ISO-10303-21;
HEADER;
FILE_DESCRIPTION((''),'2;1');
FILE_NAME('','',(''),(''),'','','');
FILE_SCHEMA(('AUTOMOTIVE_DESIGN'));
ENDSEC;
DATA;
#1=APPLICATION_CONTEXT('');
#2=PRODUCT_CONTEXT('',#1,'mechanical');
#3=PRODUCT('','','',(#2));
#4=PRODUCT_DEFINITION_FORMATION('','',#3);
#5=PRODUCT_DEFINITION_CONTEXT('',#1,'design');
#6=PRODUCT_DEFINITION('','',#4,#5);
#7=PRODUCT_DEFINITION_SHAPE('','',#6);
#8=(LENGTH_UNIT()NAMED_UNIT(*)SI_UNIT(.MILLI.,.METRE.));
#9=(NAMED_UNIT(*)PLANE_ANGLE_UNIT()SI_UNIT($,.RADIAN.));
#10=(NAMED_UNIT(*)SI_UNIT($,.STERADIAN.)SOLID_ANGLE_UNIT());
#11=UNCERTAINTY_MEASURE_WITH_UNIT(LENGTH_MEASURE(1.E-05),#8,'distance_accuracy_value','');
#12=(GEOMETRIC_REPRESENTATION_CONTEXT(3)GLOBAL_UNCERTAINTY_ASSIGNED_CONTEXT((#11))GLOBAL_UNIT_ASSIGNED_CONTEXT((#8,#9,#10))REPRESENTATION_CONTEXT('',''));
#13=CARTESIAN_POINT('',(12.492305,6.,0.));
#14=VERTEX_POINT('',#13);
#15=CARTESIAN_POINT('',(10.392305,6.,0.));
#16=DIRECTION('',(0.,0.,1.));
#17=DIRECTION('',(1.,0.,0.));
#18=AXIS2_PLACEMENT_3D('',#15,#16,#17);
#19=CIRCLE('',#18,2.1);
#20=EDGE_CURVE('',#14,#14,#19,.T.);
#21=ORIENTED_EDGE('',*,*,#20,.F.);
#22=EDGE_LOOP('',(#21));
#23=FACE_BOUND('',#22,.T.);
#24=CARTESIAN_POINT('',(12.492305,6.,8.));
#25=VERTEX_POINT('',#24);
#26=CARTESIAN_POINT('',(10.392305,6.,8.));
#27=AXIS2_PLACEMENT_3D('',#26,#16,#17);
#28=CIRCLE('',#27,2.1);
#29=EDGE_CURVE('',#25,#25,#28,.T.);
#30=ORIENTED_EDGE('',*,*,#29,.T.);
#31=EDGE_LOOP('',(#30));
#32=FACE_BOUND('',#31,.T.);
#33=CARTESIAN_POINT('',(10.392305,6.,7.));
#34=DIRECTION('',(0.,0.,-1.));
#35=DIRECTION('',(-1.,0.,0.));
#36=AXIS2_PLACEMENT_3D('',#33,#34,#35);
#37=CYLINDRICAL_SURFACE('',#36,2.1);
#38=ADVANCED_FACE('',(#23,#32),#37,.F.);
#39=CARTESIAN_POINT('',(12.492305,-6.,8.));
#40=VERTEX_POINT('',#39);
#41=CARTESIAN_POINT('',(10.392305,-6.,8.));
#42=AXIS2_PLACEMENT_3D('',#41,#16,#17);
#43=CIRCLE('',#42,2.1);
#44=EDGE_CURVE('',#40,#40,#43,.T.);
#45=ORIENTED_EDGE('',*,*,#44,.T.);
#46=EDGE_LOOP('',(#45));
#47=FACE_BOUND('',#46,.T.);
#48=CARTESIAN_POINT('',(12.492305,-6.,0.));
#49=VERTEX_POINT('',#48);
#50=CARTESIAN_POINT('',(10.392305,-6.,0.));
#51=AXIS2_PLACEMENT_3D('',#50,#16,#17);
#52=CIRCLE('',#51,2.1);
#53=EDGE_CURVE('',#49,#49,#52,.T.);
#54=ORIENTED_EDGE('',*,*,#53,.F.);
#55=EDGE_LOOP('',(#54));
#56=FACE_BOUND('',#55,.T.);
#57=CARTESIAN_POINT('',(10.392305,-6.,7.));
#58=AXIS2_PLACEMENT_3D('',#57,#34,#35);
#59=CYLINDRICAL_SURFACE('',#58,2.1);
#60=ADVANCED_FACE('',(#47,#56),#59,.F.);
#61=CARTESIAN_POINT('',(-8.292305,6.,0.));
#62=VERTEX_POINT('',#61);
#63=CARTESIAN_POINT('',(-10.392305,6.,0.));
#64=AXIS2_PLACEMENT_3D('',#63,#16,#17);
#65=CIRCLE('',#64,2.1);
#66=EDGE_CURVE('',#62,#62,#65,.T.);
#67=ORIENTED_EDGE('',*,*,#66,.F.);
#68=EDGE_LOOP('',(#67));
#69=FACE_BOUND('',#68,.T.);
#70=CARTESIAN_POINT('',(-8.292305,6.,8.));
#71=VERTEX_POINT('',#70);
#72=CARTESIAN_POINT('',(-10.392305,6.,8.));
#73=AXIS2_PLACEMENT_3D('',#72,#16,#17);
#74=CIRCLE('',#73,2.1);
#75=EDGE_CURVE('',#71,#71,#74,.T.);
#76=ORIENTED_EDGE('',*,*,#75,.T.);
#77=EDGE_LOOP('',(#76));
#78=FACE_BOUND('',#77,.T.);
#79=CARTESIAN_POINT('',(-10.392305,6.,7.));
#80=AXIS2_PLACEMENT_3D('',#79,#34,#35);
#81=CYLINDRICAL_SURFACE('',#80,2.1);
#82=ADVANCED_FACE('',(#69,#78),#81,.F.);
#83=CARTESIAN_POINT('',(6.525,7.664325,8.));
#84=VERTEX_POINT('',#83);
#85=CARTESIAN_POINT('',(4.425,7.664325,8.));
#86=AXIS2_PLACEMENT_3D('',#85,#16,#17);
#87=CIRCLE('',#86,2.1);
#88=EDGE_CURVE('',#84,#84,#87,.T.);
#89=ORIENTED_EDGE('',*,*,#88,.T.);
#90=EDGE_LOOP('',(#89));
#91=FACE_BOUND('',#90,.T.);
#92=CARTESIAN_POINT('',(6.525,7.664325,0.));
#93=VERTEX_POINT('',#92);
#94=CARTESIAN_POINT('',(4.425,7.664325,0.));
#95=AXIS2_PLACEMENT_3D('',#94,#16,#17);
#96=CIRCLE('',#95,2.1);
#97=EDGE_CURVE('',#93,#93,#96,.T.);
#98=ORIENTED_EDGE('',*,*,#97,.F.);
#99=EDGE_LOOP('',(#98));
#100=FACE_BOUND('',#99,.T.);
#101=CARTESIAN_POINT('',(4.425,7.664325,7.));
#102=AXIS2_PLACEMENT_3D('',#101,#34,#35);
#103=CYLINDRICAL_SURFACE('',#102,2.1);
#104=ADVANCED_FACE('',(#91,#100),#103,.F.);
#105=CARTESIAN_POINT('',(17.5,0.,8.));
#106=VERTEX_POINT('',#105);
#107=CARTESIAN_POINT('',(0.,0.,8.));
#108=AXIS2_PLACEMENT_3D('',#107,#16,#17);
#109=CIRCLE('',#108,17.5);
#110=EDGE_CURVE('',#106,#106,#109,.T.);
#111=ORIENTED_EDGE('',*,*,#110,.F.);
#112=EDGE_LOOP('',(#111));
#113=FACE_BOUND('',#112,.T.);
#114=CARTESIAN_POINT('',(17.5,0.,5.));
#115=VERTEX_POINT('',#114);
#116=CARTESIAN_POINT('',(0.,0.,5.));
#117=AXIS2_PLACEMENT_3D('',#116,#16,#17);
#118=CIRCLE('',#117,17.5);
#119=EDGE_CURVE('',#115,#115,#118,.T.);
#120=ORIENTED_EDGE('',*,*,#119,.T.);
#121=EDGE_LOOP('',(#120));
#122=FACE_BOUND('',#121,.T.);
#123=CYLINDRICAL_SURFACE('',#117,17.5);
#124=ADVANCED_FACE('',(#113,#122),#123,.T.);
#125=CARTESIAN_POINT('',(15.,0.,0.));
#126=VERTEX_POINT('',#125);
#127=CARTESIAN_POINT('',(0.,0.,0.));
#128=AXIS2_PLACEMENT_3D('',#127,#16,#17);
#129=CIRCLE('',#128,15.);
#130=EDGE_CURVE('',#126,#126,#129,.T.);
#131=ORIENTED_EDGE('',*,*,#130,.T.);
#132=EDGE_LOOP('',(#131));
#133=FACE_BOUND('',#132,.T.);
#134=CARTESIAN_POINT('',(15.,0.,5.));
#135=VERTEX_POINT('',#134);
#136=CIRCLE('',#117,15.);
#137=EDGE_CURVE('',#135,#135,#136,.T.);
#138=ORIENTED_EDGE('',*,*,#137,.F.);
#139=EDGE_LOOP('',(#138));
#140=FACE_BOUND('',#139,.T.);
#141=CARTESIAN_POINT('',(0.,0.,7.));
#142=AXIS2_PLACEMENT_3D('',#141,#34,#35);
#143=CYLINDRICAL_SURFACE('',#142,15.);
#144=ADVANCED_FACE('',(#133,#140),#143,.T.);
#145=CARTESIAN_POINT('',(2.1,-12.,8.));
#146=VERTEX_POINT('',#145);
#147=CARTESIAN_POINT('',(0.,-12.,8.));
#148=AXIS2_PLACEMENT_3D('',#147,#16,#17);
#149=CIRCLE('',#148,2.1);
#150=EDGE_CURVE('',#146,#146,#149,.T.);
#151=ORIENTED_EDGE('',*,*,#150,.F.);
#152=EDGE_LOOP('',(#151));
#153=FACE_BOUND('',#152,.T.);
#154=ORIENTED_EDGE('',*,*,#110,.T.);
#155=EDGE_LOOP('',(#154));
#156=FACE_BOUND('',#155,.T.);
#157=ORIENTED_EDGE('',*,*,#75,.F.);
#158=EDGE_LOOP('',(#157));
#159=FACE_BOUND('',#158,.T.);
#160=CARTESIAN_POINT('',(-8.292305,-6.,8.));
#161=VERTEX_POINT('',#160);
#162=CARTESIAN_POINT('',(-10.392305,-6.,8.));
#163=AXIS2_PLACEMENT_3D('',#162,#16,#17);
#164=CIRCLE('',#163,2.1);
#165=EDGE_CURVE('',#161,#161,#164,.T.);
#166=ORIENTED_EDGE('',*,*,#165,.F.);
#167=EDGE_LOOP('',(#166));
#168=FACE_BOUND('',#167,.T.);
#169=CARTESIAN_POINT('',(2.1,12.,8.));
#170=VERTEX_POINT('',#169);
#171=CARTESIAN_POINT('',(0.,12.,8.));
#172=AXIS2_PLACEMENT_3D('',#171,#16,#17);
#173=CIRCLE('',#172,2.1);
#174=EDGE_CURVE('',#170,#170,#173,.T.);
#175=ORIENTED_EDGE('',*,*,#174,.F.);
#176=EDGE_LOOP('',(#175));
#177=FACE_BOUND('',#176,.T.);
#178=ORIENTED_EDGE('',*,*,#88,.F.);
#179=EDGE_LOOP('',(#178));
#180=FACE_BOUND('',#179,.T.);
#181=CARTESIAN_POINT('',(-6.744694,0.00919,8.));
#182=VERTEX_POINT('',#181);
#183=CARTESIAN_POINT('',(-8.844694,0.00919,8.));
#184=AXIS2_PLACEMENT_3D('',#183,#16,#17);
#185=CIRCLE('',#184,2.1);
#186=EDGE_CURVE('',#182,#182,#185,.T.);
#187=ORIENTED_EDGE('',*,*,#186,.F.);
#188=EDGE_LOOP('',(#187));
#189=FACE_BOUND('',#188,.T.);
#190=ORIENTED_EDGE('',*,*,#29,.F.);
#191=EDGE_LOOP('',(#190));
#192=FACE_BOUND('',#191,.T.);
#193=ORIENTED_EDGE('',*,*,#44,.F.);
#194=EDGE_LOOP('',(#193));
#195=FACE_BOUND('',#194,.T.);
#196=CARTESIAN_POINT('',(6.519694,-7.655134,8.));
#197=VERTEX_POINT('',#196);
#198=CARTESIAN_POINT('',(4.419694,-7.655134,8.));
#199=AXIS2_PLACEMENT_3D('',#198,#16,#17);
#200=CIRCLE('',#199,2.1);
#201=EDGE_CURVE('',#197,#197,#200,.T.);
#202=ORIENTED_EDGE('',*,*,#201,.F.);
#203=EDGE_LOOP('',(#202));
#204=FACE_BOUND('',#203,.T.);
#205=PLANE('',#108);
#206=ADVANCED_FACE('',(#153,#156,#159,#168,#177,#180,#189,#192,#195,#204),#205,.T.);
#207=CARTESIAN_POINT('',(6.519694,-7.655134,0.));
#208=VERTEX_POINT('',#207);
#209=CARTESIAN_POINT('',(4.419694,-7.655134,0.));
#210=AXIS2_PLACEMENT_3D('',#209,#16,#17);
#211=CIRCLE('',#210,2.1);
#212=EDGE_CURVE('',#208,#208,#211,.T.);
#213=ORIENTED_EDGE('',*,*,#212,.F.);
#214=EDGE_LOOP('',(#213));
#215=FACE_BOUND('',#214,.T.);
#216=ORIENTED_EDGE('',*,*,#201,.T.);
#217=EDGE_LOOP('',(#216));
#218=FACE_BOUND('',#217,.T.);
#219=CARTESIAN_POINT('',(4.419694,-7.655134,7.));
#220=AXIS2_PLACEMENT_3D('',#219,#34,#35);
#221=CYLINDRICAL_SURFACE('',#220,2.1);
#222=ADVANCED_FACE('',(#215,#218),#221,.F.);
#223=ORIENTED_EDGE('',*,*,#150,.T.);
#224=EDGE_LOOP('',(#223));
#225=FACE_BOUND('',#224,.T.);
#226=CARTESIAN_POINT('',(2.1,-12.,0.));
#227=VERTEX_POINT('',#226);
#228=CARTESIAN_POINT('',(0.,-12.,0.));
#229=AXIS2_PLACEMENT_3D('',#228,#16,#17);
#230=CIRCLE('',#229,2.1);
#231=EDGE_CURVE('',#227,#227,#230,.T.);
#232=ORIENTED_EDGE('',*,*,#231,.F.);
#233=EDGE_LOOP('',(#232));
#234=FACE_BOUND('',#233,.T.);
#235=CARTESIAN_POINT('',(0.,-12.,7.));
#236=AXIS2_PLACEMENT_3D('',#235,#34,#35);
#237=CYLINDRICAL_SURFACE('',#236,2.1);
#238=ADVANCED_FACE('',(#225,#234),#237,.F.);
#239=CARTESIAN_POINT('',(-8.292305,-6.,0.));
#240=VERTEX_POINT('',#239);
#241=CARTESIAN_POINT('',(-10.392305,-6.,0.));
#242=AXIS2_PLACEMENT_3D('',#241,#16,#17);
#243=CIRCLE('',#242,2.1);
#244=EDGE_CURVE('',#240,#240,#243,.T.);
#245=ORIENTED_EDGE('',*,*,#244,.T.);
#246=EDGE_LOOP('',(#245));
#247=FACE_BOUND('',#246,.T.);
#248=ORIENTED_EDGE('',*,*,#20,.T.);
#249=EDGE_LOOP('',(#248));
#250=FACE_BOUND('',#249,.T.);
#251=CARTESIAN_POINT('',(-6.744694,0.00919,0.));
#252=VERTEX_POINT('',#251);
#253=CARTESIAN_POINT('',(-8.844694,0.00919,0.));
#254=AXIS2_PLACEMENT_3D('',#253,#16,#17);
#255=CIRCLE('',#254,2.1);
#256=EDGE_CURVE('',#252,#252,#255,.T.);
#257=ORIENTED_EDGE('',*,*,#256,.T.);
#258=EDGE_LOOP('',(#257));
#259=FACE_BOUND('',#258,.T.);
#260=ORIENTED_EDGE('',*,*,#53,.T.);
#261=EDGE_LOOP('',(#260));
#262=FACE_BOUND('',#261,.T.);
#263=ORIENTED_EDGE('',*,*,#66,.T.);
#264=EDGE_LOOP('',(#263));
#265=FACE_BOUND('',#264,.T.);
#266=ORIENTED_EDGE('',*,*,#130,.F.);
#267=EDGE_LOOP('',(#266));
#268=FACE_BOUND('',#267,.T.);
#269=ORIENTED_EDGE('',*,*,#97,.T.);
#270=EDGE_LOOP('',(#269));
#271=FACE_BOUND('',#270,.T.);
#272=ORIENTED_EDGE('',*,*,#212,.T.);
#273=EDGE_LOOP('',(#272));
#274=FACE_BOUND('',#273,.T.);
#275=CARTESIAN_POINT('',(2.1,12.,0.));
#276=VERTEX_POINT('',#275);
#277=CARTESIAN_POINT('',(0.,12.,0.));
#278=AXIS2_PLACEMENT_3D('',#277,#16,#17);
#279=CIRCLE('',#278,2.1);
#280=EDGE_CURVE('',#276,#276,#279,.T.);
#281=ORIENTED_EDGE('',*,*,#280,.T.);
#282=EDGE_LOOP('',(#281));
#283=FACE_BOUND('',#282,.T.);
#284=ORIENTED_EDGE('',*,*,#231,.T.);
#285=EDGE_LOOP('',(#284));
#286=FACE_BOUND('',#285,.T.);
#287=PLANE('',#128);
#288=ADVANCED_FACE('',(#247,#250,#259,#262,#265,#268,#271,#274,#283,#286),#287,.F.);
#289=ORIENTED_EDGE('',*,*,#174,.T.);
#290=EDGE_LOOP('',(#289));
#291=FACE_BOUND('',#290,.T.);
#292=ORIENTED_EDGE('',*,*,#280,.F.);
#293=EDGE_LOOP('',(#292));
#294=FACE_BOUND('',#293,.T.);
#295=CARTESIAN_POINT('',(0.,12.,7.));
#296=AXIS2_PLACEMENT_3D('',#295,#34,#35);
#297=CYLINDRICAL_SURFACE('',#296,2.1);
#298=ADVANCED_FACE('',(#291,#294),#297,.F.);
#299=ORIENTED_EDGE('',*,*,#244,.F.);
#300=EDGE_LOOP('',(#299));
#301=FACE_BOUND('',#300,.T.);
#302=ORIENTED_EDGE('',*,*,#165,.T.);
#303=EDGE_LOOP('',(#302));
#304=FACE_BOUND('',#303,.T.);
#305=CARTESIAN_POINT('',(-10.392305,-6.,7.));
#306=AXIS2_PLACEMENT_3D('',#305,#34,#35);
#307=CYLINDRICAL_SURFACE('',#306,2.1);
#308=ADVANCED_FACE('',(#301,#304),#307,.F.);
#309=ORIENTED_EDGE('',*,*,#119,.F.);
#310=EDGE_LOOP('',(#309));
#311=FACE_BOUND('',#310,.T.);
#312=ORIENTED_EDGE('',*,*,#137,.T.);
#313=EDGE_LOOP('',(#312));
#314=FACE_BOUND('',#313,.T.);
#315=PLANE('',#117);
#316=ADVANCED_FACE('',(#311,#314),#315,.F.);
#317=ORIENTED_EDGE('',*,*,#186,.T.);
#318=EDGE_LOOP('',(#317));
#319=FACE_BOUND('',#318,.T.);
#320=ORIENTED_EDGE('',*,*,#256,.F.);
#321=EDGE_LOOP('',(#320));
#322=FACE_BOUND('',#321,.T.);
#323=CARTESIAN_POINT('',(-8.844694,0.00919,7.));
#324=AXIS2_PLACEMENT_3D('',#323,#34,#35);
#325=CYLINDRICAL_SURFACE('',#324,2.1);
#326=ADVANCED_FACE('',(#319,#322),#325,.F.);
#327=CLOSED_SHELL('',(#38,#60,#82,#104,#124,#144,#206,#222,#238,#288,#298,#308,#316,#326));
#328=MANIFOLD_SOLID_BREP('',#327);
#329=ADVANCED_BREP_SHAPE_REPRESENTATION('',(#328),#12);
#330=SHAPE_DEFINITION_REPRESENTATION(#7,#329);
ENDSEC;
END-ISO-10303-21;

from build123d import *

# Parameters (mm, degrees)
SKETCH_1_R      = 15
SKETCH_1_R_2    = 2.1
EXTRUDE_1_DEPTH = 7
EXTRUDE_START   = -2
SKETCH_2_R      = 17.5
SKETCH_2_R_2    = 2.1
EXTRUDE_2_DEPTH = 2
SKETCH_5_R      = 17.5
SKETCH_5_R_2    = 2.1
EXTRUDE_4_DEPTH = 1


with BuildPart() as part:
    # 草图1 → 凸台-拉伸1 (new body)
    with BuildSketch(Plane.XY):
        Circle(SKETCH_1_R)
        with Locations((0, 12)):
            Circle(SKETCH_1_R_2, mode=Mode.SUBTRACT)
        with Locations((10.392304845, 6)):
            Circle(SKETCH_1_R_2, mode=Mode.SUBTRACT)
        with Locations((10.392304845, -6)):
            Circle(SKETCH_1_R_2, mode=Mode.SUBTRACT)
        with Locations((0, -12)):
            Circle(SKETCH_1_R_2, mode=Mode.SUBTRACT)
        with Locations((-10.392304845, -6)):
            Circle(SKETCH_1_R_2, mode=Mode.SUBTRACT)
        with Locations((-10.392304845, 6)):
            Circle(SKETCH_1_R_2, mode=Mode.SUBTRACT)
        with Locations((4.425, 7.664324823)):
            Circle(SKETCH_1_R_2, mode=Mode.SUBTRACT)
        with Locations((4.419693866, -7.655134331)):
            Circle(SKETCH_1_R_2, mode=Mode.SUBTRACT)
        with Locations((-8.844693866, 0.009190493)):
            Circle(SKETCH_1_R_2, mode=Mode.SUBTRACT)
    extrude(amount=EXTRUDE_1_DEPTH)

    # 草图2 → 凸台-拉伸2 (add)
    with BuildSketch(Plane.XY.offset(7).offset(EXTRUDE_START)):
        Circle(SKETCH_2_R)
        with Locations((-8.844693866, 0.009190493)):
            Circle(SKETCH_2_R_2, mode=Mode.SUBTRACT)
        with Locations((-10.392304845, -6)):
            Circle(SKETCH_2_R_2, mode=Mode.SUBTRACT)
        with Locations((0, -12)):
            Circle(SKETCH_2_R_2, mode=Mode.SUBTRACT)
        with Locations((4.419693866, -7.655134331)):
            Circle(SKETCH_2_R_2, mode=Mode.SUBTRACT)
        with Locations((10.392304845, -6)):
            Circle(SKETCH_2_R_2, mode=Mode.SUBTRACT)
        with Locations((10.392304845, 6)):
            Circle(SKETCH_2_R_2, mode=Mode.SUBTRACT)
        with Locations((4.425, 7.664324823)):
            Circle(SKETCH_2_R_2, mode=Mode.SUBTRACT)
        with Locations((0, 12)):
            Circle(SKETCH_2_R_2, mode=Mode.SUBTRACT)
        with Locations((-10.392304845, 6)):
            Circle(SKETCH_2_R_2, mode=Mode.SUBTRACT)
    extrude(amount=EXTRUDE_2_DEPTH)

    # 草图5 → 凸台-拉伸4 (add)
    with BuildSketch(Plane.XY.offset(7)):
        Circle(SKETCH_5_R)
        with Locations((-10.392304845, -6)):
            Circle(SKETCH_5_R_2, mode=Mode.SUBTRACT)
        with Locations((0, -12)):
            Circle(SKETCH_5_R_2, mode=Mode.SUBTRACT)
        with Locations((4.419693866, -7.655134331)):
            Circle(SKETCH_5_R_2, mode=Mode.SUBTRACT)
        with Locations((10.392304845, -6)):
            Circle(SKETCH_5_R_2, mode=Mode.SUBTRACT)
        with Locations((10.392304845, 6)):
            Circle(SKETCH_5_R_2, mode=Mode.SUBTRACT)
        with Locations((4.425, 7.664324823)):
            Circle(SKETCH_5_R_2, mode=Mode.SUBTRACT)
        with Locations((0, 12)):
            Circle(SKETCH_5_R_2, mode=Mode.SUBTRACT)
        with Locations((-8.844693866, 0.009190493)):
            Circle(SKETCH_5_R_2, mode=Mode.SUBTRACT)
        with Locations((-10.392304845, 6)):
            Circle(SKETCH_5_R_2, mode=Mode.SUBTRACT)
    extrude(amount=EXTRUDE_4_DEPTH)


solid = part.part
